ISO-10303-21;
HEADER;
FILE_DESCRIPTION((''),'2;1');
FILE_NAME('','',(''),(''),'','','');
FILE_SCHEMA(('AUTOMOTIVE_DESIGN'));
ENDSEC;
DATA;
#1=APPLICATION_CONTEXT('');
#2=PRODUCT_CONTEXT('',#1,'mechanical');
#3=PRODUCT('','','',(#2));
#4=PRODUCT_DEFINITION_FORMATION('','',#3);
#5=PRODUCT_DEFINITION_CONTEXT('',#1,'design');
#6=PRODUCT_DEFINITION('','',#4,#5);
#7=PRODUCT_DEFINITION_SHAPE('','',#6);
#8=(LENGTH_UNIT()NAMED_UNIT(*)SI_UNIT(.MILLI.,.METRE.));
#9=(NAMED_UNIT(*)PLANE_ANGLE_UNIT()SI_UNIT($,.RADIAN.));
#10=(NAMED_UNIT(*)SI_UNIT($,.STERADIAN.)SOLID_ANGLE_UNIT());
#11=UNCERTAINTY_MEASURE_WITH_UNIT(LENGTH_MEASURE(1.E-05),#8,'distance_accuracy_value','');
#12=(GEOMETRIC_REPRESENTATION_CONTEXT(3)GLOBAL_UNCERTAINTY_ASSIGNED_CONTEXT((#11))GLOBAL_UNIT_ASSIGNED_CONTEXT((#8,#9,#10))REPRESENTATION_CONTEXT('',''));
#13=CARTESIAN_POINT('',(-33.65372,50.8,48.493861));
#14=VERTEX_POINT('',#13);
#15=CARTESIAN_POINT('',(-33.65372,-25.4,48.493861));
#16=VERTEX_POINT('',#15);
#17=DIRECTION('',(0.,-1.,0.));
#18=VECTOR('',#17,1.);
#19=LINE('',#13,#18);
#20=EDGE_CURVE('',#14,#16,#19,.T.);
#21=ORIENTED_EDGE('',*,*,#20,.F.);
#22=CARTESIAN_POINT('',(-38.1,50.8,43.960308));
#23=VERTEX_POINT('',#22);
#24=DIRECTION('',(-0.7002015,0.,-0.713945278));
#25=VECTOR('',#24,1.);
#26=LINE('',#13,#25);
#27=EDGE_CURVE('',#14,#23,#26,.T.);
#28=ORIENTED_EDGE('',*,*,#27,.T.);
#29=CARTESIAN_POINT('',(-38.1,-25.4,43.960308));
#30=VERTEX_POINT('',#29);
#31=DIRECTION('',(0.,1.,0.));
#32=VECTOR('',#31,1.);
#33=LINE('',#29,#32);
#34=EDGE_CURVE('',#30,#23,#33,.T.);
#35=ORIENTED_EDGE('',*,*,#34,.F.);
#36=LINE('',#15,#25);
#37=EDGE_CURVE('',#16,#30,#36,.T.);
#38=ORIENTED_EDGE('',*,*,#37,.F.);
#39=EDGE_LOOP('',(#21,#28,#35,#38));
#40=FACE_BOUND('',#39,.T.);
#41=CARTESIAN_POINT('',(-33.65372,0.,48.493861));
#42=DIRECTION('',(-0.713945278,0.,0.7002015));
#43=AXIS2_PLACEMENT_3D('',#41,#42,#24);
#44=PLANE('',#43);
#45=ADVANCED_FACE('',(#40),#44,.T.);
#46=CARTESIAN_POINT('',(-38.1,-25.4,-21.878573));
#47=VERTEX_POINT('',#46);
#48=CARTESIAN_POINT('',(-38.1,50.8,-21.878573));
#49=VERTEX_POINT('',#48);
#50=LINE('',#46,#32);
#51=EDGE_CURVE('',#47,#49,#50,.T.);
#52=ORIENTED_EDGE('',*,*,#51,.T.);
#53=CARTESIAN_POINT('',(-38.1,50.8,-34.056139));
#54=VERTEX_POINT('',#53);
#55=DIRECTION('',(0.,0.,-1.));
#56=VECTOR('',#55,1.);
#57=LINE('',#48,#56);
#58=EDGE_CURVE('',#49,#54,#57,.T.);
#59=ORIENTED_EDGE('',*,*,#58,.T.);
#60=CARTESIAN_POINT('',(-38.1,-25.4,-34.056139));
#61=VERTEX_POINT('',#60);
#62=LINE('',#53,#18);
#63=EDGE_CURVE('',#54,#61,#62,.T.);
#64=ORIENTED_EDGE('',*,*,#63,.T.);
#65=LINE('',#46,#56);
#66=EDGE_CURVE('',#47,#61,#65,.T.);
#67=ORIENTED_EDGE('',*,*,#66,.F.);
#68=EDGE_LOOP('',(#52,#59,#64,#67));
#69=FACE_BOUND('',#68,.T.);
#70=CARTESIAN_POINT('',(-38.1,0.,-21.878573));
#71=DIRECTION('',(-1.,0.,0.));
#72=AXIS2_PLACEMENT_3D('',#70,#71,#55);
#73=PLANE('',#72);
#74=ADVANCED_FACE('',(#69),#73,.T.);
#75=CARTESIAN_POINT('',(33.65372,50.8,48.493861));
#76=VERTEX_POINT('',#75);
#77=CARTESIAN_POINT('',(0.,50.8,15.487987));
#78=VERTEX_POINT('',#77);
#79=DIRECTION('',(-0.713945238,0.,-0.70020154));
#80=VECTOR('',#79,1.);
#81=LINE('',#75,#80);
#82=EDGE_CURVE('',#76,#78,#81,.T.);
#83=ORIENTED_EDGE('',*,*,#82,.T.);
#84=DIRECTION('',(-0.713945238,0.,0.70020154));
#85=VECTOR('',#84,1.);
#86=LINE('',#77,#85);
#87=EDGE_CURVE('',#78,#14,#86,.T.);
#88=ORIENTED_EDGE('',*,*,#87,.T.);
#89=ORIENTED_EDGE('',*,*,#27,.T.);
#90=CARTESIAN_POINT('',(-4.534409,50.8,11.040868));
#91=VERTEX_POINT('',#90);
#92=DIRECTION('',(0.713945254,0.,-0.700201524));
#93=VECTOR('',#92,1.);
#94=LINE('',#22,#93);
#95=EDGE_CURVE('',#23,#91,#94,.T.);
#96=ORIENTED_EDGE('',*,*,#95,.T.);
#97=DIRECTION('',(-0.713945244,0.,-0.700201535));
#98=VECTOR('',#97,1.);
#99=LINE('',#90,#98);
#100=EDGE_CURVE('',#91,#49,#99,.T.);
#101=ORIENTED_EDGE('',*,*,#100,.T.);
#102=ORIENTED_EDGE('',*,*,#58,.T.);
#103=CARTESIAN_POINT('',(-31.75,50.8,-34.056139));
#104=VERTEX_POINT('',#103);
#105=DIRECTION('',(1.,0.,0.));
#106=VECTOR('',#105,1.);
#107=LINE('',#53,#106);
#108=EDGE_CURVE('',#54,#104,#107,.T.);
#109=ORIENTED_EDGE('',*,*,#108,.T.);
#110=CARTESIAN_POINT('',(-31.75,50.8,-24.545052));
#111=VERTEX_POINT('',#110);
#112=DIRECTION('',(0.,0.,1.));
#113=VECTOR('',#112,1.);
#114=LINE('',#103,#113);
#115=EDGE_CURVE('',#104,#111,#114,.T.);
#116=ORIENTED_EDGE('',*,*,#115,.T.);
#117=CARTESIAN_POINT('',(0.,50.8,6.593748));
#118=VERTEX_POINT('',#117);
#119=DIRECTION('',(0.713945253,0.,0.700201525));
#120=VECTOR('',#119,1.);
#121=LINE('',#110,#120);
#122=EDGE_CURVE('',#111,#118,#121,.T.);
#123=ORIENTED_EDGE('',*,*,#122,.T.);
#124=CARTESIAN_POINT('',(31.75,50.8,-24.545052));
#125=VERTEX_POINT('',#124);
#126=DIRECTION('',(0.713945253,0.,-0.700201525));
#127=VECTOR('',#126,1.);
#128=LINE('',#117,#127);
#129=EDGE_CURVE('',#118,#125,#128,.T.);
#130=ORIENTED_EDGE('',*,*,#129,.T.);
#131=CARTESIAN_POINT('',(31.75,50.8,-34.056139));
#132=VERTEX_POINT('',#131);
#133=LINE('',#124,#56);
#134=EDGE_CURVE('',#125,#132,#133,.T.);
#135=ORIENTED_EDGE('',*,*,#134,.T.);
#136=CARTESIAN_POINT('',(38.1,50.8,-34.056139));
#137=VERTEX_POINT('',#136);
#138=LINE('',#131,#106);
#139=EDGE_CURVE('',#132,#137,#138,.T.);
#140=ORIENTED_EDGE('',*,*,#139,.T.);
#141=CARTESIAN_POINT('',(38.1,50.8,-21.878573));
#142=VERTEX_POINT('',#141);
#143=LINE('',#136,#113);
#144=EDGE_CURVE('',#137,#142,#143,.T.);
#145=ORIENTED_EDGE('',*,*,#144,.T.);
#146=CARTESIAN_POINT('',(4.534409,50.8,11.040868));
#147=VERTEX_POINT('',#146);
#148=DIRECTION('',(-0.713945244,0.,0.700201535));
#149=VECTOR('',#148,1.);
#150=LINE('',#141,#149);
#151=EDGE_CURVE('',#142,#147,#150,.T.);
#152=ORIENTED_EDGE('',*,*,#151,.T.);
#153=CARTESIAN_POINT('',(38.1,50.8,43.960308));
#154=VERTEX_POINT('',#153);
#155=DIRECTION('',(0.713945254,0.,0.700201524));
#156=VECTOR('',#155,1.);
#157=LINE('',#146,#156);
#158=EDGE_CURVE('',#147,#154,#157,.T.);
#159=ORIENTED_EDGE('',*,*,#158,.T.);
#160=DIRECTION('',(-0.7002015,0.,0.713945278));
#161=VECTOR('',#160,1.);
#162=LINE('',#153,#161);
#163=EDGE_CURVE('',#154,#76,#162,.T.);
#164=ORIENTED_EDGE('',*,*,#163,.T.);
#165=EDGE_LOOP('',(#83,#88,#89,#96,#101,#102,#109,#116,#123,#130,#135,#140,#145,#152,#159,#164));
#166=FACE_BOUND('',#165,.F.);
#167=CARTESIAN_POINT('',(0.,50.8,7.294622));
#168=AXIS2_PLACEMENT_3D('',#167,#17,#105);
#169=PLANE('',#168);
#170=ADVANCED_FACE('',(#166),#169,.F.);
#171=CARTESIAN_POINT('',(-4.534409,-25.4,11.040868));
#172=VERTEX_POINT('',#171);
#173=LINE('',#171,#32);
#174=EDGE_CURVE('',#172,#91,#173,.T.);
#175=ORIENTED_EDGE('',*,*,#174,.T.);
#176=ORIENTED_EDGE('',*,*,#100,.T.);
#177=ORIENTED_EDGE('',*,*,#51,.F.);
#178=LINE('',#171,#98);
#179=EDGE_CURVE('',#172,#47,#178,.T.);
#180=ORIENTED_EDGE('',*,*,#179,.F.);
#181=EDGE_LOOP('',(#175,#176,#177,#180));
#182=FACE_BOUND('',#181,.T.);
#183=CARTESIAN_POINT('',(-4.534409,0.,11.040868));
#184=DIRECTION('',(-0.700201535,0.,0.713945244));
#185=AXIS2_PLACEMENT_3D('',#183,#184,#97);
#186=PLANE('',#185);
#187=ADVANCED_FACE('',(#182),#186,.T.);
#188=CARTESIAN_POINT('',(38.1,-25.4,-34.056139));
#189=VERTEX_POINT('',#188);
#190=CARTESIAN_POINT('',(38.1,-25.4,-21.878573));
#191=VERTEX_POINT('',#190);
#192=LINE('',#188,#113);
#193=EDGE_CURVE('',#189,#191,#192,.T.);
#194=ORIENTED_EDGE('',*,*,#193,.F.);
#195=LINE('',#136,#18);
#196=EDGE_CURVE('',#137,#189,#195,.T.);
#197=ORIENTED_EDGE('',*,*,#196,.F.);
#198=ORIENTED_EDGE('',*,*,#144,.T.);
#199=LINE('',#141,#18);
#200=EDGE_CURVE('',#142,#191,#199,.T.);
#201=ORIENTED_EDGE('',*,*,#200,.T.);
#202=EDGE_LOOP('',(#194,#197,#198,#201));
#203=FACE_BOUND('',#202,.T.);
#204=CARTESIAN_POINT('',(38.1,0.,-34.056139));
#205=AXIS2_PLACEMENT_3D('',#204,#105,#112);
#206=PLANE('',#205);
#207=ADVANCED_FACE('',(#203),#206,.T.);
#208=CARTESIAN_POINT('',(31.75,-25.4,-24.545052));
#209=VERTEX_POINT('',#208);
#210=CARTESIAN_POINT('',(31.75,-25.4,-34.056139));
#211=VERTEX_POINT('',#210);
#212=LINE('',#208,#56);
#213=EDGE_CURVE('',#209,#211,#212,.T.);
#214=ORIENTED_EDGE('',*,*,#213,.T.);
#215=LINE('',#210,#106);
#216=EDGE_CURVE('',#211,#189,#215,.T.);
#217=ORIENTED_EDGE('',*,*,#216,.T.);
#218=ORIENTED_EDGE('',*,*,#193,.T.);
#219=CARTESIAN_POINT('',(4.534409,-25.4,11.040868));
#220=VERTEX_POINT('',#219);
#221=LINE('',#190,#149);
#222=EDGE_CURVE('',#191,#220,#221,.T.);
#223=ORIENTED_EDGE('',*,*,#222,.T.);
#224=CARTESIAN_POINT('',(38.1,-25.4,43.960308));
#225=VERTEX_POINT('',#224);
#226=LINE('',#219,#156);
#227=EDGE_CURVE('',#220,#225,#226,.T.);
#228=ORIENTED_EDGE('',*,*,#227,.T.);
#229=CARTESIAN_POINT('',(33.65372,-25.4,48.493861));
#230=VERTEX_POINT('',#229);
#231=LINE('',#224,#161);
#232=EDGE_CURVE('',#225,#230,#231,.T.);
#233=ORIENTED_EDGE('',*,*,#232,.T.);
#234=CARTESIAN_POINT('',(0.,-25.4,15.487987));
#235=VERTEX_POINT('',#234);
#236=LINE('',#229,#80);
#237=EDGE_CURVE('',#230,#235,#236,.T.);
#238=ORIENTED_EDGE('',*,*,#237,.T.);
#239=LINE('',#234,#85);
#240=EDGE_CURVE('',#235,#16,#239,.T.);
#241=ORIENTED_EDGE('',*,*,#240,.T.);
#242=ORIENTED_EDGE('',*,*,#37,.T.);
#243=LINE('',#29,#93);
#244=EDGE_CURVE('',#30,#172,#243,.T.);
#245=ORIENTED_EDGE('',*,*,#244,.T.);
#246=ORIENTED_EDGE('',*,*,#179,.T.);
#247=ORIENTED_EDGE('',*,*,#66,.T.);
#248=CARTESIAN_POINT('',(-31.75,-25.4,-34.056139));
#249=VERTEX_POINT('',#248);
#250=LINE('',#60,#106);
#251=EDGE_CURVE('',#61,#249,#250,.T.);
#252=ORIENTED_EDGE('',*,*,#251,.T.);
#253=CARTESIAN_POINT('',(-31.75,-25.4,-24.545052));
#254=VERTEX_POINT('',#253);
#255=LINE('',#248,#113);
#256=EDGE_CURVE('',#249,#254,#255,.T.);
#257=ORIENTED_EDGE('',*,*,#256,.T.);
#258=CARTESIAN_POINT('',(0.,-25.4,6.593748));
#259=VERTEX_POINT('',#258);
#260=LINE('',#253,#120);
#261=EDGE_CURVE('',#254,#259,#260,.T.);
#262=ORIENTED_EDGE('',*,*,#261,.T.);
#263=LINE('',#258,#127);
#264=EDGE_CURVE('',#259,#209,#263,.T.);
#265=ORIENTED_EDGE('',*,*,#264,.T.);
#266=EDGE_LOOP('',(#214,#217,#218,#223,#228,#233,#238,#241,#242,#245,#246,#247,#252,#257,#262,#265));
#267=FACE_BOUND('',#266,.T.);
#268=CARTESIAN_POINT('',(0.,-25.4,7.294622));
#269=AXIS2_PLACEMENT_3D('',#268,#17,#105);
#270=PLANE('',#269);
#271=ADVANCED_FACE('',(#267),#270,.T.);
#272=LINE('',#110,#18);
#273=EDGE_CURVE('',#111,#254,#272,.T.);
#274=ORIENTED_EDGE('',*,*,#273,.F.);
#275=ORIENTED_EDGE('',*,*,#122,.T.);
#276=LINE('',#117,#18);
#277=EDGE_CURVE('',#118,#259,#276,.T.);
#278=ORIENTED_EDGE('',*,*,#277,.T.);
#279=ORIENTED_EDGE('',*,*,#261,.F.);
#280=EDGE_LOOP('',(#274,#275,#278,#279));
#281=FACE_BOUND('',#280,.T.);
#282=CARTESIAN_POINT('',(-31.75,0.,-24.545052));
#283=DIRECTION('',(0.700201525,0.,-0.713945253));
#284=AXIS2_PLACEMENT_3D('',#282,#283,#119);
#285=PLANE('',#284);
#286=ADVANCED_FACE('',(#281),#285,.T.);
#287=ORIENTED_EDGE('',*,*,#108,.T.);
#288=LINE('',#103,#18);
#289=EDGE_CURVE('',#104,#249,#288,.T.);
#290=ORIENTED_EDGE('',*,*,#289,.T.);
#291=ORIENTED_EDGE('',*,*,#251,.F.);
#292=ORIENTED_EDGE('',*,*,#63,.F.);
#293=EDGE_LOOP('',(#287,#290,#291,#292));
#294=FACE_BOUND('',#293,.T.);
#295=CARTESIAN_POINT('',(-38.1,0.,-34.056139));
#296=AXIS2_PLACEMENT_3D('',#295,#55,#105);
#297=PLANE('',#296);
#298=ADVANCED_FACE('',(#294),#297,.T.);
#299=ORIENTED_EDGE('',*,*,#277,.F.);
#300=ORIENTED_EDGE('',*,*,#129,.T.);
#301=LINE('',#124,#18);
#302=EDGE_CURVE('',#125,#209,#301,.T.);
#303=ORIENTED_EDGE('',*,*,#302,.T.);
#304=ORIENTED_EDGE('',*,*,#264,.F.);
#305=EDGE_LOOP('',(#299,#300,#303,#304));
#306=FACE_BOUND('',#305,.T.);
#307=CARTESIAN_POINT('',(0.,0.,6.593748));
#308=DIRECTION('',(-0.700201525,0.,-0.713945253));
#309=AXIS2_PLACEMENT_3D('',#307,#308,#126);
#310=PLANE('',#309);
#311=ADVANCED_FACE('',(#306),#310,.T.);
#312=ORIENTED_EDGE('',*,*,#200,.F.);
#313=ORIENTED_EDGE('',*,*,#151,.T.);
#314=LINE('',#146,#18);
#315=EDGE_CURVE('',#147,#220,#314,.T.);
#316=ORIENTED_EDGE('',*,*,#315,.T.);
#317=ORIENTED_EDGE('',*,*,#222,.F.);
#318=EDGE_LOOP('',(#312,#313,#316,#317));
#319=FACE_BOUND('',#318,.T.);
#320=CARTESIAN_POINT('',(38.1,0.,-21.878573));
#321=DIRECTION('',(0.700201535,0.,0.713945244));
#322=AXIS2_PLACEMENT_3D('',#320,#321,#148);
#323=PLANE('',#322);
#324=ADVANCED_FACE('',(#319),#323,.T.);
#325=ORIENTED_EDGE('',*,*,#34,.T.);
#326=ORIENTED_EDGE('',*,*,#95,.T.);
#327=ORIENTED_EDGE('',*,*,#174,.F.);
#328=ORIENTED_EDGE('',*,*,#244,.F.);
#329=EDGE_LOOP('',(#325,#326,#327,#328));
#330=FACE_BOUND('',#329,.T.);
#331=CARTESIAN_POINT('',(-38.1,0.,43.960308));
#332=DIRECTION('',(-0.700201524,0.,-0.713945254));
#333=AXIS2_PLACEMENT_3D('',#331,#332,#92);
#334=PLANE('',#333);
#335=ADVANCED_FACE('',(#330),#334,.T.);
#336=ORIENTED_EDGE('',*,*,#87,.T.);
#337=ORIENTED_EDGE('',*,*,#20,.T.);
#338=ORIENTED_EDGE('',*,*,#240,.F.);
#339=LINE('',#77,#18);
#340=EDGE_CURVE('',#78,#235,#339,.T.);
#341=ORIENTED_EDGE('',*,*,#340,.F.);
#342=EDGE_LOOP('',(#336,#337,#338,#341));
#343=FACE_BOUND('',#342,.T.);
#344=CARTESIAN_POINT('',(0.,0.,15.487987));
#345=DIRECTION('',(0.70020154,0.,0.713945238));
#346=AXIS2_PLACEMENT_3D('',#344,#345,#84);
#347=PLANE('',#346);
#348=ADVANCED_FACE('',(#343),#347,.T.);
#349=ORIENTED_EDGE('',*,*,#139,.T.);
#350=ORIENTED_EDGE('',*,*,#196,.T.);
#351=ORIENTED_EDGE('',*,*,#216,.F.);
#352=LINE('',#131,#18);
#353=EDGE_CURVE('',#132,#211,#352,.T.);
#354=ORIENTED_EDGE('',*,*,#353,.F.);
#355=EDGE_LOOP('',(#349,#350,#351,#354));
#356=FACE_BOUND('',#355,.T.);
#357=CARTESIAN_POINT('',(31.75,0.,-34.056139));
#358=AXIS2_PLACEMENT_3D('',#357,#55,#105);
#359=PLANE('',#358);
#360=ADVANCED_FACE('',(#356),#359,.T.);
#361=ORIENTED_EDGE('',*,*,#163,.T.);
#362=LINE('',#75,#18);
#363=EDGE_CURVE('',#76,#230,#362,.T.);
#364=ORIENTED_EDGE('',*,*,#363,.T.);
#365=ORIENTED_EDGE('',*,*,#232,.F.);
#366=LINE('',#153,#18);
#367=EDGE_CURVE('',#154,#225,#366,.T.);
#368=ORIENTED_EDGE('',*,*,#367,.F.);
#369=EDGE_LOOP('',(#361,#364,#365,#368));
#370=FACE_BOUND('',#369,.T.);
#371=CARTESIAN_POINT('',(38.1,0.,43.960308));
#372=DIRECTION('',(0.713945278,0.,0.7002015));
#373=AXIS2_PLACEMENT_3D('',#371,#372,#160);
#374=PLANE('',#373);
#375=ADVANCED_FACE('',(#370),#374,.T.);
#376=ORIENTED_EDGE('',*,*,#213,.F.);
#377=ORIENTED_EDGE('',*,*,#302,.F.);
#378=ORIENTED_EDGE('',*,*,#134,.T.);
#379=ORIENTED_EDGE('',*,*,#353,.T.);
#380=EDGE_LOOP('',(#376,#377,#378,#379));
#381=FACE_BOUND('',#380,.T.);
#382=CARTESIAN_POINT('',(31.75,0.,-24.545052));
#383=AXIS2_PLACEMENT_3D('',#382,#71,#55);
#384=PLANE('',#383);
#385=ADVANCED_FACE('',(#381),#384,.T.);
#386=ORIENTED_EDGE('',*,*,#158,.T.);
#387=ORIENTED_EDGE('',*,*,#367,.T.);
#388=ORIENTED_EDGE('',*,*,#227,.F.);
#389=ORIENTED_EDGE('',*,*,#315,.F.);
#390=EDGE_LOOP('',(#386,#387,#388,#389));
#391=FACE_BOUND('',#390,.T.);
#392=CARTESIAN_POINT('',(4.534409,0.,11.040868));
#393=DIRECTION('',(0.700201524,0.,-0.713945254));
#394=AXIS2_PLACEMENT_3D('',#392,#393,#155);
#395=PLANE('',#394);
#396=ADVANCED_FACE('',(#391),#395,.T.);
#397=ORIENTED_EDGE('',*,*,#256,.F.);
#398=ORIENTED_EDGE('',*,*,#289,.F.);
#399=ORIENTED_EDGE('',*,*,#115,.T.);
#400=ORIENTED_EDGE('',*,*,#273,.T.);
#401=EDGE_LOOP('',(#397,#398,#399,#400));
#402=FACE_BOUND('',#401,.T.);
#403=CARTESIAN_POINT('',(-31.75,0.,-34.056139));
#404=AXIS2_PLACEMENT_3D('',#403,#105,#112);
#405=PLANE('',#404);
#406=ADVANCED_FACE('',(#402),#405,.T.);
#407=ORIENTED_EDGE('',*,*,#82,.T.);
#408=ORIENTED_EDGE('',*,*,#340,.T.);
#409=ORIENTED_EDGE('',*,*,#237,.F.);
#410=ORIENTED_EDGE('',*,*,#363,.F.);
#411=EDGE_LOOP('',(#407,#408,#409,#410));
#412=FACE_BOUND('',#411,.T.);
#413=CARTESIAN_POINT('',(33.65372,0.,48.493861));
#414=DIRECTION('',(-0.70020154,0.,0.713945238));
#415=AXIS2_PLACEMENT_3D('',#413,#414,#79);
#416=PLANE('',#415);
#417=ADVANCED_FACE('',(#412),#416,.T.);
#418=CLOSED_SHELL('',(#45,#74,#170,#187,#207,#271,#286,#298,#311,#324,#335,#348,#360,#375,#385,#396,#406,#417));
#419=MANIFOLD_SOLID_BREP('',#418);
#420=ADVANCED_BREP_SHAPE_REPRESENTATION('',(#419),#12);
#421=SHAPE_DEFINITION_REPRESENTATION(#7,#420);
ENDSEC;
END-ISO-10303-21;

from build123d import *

# Parameters (mm, degrees)
F1_DEPTH      = 25.4
F1_DEPTH_BACK = 50.8


with BuildPart() as f1:
    # F0 (on Front) → F1 (new body, two sides)
    with BuildSketch(Plane.XZ) as f1_sk:
        Polygon((-38.1, -21.878573), (-38.1, -34.056139), (-31.75, -34.056139), (-31.75, -24.545052), (0, 6.593748), (31.75, -24.545052), (31.75, -34.056139), (38.1, -34.056139), (38.1, -21.878573), (4.534409, 11.040868), (38.1, 43.960308), (33.65372, 48.493861), (0, 15.487987), (-33.65372, 48.493861), (-38.1, 43.960308), (-4.534409, 11.040868), align=None)
    extrude(amount=F1_DEPTH)
    extrude(f1_sk.sketch, amount=-F1_DEPTH_BACK)


solid = f1.part
